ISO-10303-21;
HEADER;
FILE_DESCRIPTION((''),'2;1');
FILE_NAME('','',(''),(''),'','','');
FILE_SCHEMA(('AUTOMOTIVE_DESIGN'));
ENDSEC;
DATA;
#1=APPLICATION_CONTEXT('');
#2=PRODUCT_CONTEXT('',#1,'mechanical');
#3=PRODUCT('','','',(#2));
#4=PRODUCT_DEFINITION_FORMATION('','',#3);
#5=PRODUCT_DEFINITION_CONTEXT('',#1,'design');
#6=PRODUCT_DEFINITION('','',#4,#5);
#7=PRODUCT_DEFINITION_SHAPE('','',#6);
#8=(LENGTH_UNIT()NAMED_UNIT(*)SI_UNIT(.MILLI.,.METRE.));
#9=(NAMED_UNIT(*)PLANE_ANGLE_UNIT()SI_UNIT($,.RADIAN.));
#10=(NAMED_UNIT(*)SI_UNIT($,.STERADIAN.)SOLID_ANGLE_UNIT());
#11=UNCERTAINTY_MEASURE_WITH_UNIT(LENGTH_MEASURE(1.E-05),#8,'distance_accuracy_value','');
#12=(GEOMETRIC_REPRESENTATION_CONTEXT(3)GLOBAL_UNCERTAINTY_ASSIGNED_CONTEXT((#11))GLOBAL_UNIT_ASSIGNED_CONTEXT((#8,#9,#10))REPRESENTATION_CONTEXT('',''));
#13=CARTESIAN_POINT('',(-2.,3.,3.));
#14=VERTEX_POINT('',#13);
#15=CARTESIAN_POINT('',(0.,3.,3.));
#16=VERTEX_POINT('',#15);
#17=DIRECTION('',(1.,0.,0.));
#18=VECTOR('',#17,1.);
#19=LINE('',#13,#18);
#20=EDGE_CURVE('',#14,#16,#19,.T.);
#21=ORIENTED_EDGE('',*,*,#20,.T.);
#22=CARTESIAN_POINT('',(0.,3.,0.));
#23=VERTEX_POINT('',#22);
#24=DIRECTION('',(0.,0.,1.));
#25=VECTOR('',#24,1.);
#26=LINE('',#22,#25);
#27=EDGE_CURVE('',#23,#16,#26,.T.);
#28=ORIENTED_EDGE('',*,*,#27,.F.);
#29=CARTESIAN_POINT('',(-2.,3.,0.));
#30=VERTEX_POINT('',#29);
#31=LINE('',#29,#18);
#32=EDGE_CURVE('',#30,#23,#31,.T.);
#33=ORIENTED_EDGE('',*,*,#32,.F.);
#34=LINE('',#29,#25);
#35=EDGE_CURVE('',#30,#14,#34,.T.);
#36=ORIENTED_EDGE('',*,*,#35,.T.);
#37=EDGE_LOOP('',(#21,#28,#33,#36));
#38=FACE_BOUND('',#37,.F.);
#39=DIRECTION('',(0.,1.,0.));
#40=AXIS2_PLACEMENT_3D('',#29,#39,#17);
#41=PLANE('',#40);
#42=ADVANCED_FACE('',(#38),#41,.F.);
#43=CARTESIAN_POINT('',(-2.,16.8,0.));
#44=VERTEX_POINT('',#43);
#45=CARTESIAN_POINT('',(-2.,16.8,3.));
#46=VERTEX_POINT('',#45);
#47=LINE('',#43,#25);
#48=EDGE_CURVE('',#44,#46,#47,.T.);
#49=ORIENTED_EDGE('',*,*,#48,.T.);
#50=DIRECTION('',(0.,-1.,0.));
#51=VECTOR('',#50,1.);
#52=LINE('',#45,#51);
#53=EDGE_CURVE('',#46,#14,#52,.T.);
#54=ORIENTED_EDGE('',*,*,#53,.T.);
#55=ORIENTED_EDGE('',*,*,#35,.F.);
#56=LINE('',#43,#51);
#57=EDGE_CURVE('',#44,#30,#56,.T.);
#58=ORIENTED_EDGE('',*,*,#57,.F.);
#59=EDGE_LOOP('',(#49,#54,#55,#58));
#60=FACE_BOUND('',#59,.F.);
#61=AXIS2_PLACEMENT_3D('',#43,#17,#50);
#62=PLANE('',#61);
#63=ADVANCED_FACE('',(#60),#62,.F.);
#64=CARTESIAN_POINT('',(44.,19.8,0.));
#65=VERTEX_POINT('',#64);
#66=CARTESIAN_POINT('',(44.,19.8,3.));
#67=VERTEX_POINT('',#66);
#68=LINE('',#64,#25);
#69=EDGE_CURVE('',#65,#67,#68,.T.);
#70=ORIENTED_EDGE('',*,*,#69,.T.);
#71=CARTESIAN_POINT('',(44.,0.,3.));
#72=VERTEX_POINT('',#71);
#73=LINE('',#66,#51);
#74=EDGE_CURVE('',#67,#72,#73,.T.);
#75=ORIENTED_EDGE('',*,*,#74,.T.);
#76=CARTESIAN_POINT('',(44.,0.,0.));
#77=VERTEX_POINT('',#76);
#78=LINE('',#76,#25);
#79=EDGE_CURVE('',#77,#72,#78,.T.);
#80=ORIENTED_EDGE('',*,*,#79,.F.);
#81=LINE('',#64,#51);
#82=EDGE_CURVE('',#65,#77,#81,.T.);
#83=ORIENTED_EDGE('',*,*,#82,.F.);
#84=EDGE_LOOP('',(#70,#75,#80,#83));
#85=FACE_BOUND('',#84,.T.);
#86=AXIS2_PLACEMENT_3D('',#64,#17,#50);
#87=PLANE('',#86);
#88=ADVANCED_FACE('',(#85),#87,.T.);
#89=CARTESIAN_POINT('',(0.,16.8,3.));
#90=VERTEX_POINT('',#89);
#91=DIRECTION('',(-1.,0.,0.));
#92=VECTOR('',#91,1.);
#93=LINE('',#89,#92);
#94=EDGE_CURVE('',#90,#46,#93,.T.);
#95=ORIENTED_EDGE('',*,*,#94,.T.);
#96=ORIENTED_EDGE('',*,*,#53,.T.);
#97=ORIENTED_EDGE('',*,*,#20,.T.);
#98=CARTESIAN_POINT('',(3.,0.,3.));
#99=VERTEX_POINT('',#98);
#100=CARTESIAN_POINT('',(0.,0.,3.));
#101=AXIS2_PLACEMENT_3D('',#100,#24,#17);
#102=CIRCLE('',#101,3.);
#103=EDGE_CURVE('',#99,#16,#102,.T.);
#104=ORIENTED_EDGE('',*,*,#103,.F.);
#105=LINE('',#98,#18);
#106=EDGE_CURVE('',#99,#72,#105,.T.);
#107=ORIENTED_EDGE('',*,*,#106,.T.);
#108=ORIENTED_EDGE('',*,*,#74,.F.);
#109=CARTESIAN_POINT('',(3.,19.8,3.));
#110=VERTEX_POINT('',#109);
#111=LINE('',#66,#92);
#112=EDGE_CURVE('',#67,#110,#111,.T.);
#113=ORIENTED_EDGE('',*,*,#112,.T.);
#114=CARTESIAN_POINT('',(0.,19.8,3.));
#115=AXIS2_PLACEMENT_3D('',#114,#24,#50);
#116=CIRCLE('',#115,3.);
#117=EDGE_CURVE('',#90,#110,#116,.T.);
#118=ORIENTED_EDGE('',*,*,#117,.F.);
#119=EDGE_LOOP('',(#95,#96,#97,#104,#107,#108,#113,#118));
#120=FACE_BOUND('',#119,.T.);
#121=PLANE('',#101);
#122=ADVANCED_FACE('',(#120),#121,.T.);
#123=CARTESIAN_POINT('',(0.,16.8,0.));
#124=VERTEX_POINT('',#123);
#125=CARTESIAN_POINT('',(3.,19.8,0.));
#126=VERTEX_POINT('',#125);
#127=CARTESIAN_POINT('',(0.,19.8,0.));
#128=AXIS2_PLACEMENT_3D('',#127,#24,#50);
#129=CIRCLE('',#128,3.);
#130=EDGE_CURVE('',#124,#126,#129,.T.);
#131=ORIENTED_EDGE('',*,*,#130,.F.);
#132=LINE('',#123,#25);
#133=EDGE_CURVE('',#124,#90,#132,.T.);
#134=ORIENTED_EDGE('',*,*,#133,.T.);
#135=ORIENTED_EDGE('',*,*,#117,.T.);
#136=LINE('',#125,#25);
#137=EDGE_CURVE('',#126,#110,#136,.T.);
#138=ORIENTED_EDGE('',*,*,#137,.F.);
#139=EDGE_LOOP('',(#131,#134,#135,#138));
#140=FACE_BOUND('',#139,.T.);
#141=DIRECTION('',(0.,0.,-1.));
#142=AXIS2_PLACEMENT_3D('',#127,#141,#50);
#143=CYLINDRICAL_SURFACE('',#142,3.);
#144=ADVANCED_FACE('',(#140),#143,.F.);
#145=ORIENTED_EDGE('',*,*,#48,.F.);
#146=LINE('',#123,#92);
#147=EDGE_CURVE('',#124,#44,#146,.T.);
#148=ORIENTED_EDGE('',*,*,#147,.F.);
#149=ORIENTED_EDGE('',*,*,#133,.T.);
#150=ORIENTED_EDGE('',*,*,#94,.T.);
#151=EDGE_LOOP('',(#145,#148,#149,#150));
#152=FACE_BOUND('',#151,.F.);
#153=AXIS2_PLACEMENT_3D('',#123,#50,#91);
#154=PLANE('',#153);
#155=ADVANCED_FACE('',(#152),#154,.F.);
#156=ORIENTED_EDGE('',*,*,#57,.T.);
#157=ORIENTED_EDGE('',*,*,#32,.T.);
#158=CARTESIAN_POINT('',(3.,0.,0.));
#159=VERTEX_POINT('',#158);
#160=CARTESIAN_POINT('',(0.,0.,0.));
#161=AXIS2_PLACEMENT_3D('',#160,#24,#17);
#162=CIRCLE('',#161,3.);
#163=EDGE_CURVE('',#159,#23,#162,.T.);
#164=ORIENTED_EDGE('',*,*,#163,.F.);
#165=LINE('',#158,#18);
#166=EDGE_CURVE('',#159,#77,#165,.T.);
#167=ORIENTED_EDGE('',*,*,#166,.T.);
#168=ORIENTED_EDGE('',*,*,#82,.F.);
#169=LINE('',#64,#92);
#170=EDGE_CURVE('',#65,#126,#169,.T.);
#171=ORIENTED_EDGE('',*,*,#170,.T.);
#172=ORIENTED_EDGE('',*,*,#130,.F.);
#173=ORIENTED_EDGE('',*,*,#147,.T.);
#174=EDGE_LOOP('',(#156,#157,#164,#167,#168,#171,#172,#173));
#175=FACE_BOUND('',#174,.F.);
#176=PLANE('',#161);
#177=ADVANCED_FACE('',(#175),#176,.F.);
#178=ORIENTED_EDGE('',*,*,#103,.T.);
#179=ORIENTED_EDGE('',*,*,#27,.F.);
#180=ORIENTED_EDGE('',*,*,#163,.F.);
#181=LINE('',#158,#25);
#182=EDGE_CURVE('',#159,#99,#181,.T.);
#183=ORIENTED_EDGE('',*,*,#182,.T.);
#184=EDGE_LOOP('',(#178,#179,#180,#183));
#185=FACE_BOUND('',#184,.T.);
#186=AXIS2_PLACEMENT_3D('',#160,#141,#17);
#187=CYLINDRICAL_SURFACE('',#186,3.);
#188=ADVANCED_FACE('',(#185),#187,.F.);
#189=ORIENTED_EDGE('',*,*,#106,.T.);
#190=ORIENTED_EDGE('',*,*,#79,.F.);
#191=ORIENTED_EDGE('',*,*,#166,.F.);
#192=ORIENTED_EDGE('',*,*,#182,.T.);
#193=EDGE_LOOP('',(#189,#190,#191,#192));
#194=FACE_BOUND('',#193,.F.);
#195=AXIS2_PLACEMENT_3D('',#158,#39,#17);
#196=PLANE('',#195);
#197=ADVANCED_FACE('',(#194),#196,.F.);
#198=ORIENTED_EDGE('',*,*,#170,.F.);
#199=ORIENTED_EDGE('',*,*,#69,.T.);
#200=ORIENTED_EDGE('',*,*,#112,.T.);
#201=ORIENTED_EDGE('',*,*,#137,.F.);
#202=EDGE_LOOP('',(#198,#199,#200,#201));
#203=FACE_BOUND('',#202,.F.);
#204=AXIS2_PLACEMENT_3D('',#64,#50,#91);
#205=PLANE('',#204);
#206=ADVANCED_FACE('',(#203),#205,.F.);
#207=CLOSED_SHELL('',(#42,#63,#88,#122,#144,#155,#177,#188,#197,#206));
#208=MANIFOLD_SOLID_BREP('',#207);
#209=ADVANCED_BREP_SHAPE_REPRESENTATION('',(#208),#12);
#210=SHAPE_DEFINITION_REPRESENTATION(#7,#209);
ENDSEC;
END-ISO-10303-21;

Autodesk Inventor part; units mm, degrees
ref_plane "YZ Plane" through (0, 0, 0) normal (1, 0, 0) x (0, 1, 0)
ref_plane "XZ Plane" through (0, 0, 0) normal (0, 1, 0) x (-1, 0, 0)
ref_plane "XY Plane" through (0, 0, 0) normal (0, 0, 1) x (1, 0, 0)
sketch "Эскиз3" plane through (0, 0, 0) normal (0, 0, 1) x (1, 0, 0)
  line L0 (3, 0) -> (44, 0)
  line L1 (44, 19.8) -> (3, 19.8)
  arc A0 (0, 16.8) -> (3, 19.8) centre (0, 19.8) ccw
  arc A1 (3, 0) -> (0, 3) centre (0, 0) ccw
  line L2 (-9.5212, 9.95) -> (-2, 9.95) construction
  line L3 (0, 16.8) -> (-2, 16.8)
  line L4 (-2, 16.8) -> (-2, 3)
  line L5 (-2, 3) -> (0, 3)
  line L6 (44, 19.8) -> (44, 0)
  point P0 (36.5732, 9.95)
  dimension "d10" = 6
  dimension "d11" = 19.8
  dimension "d13" = 2
  dimension "d14" = 46
extrude "Выдавливание3" add sketch "Эскиз3" along normal blind 3
equation "\"d11\" = width_profile_tibea - 2 * tolerance_plazma"
equation "\"d6\" = thickness_steel"
equation "\"tolerance_plazma\" = 0.1"
equation "\"thickness_steel\" = 3"
equation "\"d_main_screw_holes\" = 6.1"
equation "\"thickness_profile_tibea\" = 3"
equation "\"hight_shaft_shift\" = 37"
equation "\"thickness_profile_femur\" = 3"
equation "\"width_shaft_shift\" = 35"
equation "\"width_flattened_surface\" = 12"
equation "\"width_profile_tibea\" = 20"
properties part number "tibea_reinforcement_steel" material "Сталь"
